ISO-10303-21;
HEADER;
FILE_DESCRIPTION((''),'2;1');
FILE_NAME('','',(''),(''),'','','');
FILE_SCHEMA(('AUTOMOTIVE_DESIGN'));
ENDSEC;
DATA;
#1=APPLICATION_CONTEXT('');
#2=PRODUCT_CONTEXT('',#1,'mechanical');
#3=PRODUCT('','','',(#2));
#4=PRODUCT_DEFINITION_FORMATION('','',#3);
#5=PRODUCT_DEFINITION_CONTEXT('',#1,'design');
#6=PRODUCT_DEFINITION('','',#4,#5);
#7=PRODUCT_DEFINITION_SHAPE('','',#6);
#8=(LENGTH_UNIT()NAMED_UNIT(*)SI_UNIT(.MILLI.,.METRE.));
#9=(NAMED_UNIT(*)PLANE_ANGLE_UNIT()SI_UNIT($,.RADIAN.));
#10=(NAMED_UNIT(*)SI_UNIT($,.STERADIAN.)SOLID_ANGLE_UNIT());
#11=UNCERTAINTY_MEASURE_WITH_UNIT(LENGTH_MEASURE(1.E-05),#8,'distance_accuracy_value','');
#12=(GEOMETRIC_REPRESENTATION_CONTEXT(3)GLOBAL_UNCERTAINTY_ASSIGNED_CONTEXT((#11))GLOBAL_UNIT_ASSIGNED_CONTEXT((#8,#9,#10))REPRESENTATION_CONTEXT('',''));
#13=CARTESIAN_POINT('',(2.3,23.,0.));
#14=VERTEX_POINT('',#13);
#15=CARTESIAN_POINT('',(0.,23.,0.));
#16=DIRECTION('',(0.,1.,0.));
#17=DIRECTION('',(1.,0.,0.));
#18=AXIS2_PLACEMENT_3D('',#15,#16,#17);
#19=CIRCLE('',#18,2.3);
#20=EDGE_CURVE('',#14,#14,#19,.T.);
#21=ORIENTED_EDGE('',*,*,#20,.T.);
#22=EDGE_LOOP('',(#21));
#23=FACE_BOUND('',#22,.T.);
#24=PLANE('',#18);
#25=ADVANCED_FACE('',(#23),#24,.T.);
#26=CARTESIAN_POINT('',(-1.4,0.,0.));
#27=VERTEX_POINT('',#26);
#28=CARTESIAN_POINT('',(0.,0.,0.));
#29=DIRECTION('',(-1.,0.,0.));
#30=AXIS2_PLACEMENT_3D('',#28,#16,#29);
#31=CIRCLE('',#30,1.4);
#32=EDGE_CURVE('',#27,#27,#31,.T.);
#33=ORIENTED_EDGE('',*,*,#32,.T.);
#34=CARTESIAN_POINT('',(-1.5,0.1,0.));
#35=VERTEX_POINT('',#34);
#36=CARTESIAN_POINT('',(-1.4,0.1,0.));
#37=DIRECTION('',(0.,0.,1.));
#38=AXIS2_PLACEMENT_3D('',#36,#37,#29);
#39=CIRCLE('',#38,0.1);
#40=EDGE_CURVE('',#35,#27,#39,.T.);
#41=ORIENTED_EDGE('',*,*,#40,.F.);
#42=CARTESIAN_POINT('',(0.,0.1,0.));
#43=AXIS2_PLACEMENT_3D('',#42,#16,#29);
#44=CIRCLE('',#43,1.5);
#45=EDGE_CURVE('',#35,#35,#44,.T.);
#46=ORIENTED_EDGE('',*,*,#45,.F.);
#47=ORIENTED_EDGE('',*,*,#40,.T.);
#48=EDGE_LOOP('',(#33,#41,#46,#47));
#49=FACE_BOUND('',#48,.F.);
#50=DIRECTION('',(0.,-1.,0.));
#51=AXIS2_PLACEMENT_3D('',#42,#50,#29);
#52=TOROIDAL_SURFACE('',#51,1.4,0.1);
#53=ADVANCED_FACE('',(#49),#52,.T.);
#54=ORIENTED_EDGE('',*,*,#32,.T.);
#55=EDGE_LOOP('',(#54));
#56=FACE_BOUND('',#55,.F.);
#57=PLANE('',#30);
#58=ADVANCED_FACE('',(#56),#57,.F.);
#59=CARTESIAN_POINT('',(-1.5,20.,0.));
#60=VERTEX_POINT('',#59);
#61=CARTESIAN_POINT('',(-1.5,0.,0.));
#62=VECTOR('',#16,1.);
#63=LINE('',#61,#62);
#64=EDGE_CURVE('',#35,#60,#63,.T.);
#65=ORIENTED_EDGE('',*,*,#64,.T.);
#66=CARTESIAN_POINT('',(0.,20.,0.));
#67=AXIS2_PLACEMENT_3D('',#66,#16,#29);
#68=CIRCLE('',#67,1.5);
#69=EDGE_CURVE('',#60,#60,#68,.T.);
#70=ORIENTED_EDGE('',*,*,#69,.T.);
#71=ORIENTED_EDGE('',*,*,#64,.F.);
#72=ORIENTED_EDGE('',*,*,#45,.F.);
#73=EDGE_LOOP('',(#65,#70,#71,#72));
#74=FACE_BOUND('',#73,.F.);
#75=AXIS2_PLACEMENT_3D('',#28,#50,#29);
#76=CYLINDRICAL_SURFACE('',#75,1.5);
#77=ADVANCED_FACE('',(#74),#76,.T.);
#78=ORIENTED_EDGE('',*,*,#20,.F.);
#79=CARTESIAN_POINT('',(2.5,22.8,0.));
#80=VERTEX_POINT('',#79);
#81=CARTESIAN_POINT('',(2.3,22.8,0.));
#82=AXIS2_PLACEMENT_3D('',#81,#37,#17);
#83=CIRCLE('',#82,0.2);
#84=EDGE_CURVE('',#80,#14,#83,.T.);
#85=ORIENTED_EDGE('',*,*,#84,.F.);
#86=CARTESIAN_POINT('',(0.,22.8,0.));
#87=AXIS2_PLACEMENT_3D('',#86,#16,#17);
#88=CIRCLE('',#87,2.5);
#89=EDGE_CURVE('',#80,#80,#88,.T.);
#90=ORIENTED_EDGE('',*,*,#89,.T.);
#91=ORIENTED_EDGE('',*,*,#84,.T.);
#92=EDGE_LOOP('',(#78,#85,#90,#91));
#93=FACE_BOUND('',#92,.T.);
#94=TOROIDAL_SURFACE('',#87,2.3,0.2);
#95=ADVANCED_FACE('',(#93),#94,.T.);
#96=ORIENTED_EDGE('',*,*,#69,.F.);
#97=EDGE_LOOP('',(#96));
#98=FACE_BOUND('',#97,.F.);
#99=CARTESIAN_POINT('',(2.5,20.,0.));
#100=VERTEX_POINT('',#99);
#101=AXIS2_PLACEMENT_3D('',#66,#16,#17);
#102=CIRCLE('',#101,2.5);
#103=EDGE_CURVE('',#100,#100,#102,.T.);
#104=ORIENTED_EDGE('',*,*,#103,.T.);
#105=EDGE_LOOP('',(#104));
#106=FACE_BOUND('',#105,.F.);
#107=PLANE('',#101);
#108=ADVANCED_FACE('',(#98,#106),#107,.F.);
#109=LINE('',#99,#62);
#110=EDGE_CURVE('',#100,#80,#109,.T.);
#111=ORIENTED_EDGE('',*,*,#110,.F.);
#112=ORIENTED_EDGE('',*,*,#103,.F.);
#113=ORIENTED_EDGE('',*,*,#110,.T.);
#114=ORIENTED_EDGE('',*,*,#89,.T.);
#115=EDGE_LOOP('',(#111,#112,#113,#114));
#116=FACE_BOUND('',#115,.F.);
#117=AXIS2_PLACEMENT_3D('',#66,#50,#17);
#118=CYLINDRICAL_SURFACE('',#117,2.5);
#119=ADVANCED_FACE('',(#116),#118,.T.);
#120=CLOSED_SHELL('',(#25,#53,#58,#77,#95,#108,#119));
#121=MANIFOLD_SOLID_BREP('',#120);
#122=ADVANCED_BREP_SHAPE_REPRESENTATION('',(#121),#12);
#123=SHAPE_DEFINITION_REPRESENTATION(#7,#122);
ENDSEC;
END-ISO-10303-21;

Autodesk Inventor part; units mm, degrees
ref_plane "YZ Plane" through (0, 0, 0) normal (1, 0, 0) x (0, 1, 0)
ref_plane "XZ Plane" through (0, 0, 0) normal (0, 1, 0) x (-1, 0, 0)
ref_plane "XY Plane" through (0, 0, 0) normal (0, 0, 1) x (1, 0, 0)
sketch "Sketch1" plane through (0, 0, 0) normal (0, 1, 0) x (-1, 0, 0)
  circle A0 centre (0, 0) radius 1.5
  dimension "d0" = 3
extrude "Extrusion1" add sketch "Sketch1" along normal blind 20
sketch "Sketch2" plane through (0, 20, 0) normal (0, 1, 0) x (1, 0, 0)
  circle A0 centre (0, 0) radius 2.5
  dimension "d3" = 5
extrude "Extrusion2" add sketch "Sketch2" along normal blind 3
fillet "Fillet1" radius 0.2 1 edges at (-2.5, 23, 0)
fillet "Fillet2" radius 0.1 1 edges at (1.5, 0, 0)
properties part number "VIS"
